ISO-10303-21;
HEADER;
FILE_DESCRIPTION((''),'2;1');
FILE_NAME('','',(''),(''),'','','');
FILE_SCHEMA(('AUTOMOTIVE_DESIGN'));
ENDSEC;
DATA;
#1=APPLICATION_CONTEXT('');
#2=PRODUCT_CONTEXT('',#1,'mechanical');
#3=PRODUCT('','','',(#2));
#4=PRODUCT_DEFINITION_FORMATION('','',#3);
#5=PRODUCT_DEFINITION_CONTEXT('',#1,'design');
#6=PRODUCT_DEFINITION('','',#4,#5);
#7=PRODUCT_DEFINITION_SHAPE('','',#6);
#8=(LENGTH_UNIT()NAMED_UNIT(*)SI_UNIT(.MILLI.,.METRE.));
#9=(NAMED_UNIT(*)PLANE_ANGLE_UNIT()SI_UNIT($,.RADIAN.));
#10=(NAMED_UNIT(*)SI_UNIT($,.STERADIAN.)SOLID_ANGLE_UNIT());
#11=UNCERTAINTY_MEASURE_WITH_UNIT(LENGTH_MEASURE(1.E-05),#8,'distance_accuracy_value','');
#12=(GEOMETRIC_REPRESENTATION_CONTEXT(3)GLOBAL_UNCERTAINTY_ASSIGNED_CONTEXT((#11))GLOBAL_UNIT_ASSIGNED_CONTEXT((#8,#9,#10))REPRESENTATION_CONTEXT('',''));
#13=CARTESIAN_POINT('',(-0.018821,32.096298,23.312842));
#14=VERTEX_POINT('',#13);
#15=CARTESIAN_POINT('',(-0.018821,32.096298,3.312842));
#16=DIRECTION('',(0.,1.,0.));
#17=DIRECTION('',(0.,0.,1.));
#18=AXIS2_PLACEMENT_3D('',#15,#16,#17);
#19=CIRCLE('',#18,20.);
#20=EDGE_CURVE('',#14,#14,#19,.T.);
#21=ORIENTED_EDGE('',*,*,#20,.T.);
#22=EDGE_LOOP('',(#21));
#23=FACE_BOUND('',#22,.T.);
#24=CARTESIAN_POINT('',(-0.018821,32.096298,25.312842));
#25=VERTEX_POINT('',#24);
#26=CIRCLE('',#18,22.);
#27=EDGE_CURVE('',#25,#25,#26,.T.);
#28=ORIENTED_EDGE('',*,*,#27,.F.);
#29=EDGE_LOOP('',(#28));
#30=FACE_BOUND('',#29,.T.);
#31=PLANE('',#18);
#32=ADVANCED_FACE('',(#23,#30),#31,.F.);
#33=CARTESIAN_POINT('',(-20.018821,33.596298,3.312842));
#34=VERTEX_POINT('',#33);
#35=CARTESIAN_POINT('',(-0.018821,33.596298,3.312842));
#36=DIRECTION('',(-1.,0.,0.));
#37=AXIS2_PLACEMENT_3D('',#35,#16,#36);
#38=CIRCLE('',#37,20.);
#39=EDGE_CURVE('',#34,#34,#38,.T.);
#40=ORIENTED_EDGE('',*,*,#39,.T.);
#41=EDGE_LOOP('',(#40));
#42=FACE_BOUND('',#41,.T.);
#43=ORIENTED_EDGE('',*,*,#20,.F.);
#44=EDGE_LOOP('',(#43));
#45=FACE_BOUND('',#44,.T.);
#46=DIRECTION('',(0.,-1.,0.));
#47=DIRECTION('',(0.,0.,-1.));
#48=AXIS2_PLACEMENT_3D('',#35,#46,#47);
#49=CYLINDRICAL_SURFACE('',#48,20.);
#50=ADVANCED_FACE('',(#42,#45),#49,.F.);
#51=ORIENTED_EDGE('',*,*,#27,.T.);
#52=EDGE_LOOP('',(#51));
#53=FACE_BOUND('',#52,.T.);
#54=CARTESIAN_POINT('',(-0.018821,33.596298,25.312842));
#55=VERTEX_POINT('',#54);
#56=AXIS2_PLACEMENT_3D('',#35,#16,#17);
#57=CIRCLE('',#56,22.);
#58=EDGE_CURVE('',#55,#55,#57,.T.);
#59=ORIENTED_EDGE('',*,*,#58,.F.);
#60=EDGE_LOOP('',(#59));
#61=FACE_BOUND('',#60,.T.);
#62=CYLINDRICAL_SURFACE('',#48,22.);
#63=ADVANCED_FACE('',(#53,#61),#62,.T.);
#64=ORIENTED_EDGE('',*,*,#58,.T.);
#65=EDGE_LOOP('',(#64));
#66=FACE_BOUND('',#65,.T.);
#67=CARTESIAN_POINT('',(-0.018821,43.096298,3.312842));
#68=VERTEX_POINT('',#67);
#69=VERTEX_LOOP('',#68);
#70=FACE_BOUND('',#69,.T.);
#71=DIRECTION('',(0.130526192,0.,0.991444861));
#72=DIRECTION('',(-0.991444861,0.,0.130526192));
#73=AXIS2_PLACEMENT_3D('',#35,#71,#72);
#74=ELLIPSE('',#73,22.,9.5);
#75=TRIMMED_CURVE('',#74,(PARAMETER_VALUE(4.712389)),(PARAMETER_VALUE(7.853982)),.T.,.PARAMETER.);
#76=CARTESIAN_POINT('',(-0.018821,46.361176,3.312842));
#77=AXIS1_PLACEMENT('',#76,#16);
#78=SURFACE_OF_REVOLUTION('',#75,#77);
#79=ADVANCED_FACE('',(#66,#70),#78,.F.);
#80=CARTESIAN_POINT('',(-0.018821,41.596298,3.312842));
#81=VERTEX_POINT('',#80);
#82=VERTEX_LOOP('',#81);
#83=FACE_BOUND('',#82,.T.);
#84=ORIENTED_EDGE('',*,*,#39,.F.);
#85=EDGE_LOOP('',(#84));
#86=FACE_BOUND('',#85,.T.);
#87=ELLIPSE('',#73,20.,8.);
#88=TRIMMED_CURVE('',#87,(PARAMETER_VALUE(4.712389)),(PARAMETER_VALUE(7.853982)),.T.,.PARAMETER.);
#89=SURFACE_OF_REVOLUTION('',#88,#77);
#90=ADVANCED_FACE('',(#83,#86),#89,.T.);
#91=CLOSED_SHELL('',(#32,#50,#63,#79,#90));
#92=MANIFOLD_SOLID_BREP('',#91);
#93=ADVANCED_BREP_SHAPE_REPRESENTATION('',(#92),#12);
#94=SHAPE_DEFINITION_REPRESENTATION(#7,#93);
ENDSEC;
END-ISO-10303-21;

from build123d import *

# Parameters (mm, degrees)
SKETCH89_R          = 22
SKETCH89_R_2        = 20
BOSS_EXTRUDE1_DEPTH = 1.5


with BuildPart() as part:
    # Sketch89 → Boss-Extrude1 (new body)
    with BuildSketch(Plane(origin=(0, 32.096297607, 0), x_dir=(1, 0, 0), z_dir=(0, 1, 0))):
        with Locations(Location((-0.018821305, -3.312842377, 0), (0, 0, 270))):
            Circle(SKETCH89_R)
        with Locations(Location((-0.018821305, -3.312842377, 0), (0, 0, 270))):
            Circle(SKETCH89_R_2, mode=Mode.SUBTRACT)
    extrude(amount=BOSS_EXTRUDE1_DEPTH)

    # Sketch92 → Revolve1 (revolve)
    with BuildSketch(Plane(origin=(0.42839269, 0, 3.253965538), x_dir=(-0.9914448613738113, 0, 0.13052619222004508), z_dir=(-0.13052619222004508, 0, -0.9914448613738114)), mode=Mode.PRIVATE) as revolve1_sk:
        with BuildLine():
            add(Edge.make_bspline(
                [(22.451072987, 33.596297607), (22.451072987, 43.096297607), (0.451072987, 43.096297607)],
                knots=[3.141592654, 3.141592654, 3.141592654, 4.71238898, 4.71238898, 4.71238898], degree=2, weights=[1, 0.707106781, 1]))
            Line((0.451072987, 43.096297607), (0.451072987, 41.596297607))
            add(Edge.make_bspline(
                [(20.451072987, 33.596297607), (20.451072987, 41.596297607), (0.451072987, 41.596297607)],
                knots=[3.141592654, 3.141592654, 3.141592654, 4.71238898, 4.71238898, 4.71238898], degree=2, weights=[1, 0.707106781, 1]))
            Line((20.451072987, 33.596297607), (22.451072987, 33.596297607))
        make_face()
    revolve(revolve1_sk.sketch.rotate(Axis((-0.018821305, 46.361176327, 3.312842377), (0, -1, 0)), 7.5), axis=Axis((-0.018821305, 46.361176327, 3.312842377), (0, -1, 0)))


solid = part.part
